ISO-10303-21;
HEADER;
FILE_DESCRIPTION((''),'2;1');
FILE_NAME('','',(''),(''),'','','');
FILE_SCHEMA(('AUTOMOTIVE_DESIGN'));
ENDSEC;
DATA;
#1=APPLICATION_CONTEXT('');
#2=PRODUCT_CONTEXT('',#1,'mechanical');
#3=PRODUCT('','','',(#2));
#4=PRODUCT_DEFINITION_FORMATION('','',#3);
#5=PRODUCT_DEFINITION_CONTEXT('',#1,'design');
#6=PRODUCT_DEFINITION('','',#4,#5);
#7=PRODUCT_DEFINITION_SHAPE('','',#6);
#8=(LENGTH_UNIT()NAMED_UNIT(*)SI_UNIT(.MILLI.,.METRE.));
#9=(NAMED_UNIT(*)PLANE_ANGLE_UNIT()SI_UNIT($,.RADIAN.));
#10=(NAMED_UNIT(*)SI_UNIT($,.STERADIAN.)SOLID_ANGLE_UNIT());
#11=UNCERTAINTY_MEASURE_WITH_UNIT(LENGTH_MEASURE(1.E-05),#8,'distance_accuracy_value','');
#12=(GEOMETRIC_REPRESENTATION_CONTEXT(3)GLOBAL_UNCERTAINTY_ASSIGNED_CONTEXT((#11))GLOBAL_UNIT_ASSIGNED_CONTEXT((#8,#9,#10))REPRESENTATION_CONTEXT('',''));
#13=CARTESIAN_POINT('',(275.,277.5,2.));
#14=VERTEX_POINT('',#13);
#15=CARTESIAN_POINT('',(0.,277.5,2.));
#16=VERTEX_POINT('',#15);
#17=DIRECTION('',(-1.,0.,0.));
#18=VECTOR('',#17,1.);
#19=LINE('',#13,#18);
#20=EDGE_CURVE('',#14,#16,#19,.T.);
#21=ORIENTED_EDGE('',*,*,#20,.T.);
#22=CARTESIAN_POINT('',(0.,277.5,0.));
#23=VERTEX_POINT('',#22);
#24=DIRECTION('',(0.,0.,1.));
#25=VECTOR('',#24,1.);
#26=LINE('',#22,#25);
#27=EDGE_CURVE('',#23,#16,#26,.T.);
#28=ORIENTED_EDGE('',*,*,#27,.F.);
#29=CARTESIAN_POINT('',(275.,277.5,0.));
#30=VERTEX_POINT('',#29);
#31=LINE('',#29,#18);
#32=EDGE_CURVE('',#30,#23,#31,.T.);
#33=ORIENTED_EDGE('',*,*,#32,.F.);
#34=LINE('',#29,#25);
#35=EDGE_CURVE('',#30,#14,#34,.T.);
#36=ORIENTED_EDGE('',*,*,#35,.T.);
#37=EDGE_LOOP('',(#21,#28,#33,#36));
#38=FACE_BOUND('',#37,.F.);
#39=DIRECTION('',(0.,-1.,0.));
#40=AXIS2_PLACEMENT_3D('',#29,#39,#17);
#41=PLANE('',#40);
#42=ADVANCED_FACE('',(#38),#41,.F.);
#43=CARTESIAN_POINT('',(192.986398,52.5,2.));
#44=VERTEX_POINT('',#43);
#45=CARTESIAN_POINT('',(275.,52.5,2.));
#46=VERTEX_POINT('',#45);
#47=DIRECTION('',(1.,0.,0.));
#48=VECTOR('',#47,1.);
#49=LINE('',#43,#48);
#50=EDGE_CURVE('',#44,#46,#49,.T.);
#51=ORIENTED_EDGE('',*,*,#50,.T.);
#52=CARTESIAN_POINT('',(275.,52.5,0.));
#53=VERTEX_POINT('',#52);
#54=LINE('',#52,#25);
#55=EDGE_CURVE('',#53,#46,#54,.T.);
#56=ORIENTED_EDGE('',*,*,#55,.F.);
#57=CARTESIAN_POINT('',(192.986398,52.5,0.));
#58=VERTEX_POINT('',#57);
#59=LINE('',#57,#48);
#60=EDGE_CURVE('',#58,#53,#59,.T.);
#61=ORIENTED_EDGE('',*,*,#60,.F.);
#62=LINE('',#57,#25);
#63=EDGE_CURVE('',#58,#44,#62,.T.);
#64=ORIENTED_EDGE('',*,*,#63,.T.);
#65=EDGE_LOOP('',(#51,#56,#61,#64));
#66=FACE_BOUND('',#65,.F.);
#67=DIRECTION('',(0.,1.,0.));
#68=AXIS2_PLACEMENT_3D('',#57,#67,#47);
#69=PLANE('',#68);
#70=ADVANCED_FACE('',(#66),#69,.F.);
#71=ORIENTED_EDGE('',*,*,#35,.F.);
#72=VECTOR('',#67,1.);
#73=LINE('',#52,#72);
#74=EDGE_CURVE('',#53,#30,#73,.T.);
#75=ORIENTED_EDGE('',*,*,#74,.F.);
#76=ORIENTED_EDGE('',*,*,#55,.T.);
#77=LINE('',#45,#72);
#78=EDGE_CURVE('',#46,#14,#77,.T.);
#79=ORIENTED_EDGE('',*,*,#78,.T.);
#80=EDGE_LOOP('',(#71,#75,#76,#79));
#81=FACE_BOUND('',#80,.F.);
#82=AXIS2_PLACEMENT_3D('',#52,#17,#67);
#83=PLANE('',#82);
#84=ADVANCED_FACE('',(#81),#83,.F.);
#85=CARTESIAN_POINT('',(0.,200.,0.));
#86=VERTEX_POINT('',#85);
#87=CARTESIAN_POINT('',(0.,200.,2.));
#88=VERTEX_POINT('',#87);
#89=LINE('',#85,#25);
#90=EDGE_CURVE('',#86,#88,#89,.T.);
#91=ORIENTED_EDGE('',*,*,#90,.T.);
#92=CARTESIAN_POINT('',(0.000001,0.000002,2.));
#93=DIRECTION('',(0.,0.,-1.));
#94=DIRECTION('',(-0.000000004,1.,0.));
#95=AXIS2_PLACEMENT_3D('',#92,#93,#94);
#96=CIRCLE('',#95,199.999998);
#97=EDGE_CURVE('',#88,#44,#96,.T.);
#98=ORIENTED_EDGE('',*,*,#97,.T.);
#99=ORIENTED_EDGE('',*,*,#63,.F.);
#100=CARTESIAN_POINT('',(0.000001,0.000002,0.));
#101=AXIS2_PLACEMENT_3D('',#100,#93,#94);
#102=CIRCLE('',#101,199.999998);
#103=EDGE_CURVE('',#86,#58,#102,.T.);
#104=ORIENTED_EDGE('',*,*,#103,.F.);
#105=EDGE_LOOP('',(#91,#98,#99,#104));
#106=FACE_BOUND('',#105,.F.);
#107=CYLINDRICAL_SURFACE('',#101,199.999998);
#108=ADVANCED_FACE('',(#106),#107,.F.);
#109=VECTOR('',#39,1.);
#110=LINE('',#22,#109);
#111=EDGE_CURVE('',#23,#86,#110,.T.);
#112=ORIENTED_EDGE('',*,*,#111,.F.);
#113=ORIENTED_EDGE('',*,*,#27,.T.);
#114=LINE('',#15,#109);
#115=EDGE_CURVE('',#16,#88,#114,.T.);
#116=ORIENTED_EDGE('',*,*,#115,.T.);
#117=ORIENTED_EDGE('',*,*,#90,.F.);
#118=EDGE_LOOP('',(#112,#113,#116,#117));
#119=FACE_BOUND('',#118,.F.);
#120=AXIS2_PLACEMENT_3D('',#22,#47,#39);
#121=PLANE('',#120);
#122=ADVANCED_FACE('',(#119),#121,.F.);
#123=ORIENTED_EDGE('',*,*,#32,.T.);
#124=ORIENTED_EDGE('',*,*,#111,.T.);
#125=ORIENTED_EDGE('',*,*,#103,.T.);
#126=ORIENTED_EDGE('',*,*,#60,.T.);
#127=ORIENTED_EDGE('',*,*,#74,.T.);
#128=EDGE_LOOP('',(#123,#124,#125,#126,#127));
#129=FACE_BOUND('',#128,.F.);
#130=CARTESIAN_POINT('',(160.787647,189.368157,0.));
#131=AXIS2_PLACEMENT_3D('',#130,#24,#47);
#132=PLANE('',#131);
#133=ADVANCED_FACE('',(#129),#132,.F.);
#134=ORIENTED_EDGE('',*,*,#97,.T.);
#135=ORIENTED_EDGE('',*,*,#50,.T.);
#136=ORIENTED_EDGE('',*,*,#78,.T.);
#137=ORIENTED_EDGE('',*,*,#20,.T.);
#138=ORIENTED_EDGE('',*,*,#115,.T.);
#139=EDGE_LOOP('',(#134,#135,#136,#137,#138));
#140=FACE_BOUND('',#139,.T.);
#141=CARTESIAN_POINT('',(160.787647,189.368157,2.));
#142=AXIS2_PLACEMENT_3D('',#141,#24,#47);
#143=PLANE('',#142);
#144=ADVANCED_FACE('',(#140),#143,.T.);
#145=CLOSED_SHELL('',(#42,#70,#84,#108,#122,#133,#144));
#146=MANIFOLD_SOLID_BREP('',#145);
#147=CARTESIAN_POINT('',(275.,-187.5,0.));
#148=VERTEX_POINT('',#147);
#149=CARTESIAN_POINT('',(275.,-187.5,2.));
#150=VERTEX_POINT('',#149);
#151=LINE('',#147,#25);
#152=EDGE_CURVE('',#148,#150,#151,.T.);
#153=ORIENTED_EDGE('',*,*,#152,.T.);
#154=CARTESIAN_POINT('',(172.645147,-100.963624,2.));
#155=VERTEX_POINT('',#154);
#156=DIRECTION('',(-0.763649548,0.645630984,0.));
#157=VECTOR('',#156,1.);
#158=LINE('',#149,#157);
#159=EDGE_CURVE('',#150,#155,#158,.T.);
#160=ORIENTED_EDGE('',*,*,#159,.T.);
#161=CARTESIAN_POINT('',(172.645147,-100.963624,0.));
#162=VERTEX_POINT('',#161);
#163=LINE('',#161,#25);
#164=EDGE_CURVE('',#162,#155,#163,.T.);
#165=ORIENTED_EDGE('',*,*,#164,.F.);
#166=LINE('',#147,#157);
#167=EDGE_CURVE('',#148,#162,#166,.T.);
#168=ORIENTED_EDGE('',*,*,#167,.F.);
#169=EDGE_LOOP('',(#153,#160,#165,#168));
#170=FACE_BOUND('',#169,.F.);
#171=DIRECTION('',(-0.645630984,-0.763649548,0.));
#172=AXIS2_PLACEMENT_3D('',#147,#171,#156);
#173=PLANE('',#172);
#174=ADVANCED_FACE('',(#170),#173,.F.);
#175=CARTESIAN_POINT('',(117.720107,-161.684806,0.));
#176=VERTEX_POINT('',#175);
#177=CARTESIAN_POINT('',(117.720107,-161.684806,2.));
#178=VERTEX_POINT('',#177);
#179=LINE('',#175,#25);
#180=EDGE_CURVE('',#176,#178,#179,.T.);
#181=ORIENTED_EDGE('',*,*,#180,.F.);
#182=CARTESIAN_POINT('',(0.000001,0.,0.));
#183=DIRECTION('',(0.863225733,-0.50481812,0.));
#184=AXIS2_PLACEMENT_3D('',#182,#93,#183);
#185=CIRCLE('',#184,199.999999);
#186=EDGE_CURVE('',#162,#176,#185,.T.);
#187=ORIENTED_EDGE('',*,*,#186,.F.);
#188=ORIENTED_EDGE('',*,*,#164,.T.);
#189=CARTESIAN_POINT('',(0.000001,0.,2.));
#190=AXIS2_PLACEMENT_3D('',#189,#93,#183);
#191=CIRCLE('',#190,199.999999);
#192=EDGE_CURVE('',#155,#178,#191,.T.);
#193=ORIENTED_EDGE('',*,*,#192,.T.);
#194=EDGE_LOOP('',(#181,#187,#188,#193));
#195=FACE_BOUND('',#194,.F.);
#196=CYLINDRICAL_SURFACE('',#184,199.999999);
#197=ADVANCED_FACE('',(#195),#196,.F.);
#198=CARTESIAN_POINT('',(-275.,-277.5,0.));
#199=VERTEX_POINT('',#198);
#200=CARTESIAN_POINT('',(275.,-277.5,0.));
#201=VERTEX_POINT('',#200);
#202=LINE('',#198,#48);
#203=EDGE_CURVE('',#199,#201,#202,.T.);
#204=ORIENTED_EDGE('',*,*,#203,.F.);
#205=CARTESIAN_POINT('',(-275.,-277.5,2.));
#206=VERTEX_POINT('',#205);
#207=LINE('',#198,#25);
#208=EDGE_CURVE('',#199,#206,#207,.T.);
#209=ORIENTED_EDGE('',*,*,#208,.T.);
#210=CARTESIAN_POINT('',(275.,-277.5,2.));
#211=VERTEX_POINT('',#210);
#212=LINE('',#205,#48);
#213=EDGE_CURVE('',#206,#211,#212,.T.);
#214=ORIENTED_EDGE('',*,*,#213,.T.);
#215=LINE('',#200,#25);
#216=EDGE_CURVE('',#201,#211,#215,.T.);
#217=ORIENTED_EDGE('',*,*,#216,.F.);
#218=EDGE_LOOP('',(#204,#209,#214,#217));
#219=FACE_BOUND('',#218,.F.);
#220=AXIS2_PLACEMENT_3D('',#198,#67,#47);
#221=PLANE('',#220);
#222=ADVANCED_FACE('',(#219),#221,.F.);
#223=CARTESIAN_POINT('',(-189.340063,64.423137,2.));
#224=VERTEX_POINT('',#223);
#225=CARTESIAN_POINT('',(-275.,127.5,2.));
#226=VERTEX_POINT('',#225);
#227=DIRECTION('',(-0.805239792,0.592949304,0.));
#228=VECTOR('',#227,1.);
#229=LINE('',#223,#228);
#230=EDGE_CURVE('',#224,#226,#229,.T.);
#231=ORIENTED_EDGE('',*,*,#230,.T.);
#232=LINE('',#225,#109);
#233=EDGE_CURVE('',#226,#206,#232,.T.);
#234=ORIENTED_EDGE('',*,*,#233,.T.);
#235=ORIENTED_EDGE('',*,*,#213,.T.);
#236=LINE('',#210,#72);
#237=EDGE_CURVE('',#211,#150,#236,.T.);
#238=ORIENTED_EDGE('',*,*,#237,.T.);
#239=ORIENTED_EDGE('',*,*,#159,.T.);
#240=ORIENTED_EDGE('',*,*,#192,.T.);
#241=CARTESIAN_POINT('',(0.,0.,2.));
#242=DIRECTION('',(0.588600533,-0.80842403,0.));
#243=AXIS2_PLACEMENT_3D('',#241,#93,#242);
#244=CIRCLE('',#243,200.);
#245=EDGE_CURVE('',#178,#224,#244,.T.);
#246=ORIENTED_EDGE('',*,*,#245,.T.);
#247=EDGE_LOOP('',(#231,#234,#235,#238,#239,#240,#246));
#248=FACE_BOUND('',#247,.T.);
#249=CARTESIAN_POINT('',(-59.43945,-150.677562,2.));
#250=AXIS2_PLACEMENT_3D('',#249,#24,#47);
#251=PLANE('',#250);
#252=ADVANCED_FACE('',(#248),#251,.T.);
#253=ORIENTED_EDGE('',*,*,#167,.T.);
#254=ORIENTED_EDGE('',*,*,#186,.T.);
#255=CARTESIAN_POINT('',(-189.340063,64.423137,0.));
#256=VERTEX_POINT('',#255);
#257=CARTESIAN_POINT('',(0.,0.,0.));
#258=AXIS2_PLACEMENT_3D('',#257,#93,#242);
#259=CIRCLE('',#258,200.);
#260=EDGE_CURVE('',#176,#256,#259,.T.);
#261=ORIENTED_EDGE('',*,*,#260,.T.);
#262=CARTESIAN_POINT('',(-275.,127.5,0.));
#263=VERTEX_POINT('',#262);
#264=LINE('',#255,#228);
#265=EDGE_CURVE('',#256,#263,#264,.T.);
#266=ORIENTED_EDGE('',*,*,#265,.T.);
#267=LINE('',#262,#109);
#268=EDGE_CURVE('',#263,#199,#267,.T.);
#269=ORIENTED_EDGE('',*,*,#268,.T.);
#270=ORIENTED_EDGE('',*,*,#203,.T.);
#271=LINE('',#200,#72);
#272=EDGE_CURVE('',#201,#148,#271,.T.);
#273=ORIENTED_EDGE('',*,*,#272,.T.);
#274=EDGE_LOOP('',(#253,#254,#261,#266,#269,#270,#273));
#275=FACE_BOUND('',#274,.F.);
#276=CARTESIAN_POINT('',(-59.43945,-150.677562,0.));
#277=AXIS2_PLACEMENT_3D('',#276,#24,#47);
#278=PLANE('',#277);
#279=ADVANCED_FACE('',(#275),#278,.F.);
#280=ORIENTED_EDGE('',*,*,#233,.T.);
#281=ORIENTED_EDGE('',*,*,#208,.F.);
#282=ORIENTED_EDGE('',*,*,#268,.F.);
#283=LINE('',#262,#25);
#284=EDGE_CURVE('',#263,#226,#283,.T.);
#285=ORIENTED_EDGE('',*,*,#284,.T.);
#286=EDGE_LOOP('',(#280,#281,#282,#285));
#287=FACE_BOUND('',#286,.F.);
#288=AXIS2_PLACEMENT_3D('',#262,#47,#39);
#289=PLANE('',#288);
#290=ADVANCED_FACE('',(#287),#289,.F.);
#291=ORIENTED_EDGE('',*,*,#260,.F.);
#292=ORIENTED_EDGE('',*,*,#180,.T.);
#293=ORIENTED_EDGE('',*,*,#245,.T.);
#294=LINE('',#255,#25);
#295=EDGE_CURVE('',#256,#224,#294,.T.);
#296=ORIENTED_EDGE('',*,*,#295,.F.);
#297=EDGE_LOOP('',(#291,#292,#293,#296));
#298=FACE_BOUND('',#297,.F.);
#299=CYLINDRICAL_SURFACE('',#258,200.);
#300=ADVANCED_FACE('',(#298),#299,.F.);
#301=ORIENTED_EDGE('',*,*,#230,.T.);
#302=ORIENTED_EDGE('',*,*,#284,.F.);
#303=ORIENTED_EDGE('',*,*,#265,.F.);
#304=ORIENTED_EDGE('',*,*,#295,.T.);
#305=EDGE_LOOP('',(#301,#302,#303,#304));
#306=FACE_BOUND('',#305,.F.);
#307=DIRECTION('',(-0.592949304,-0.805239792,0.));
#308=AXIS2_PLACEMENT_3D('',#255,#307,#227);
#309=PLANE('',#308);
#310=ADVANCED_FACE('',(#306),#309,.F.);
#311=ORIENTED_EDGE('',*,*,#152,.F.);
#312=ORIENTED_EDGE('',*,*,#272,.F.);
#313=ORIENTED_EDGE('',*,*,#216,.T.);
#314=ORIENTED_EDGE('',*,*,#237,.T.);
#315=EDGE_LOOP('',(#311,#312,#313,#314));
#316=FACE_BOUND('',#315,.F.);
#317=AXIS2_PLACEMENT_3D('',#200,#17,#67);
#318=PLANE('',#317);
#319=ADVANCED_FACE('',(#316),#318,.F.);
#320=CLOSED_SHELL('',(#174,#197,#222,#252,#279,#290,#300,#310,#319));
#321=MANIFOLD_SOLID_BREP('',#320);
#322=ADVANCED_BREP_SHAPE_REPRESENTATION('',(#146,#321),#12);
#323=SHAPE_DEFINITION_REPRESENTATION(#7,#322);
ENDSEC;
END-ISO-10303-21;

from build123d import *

# Parameters (mm, degrees)
F1_DEPTH = 2


with BuildPart() as f1:
    # F0 (on Top) → F1 (new body)
    with BuildSketch(Plane.XY):
        with BuildLine():
            Line((-275, 127.5), (-275, -277.5))
            Line((-275, -277.5), (275, -277.5))
            Line((275, -277.5), (275, -187.5))
            Line((275, -187.5), (172.645147, -100.963624))
            ThreePointArc((172.645147, -100.963624), (148.323163, -134.164971), (117.720107, -161.684806))
            ThreePointArc((117.720107, -161.684806), (-118.58986, -161.047959), (-189.340063, 64.423137))
            Line((-189.340063, 64.423137), (-275, 127.5))
        make_face()
        with BuildLine():
            Line((192.986398, 52.5), (275, 52.5))
            Line((275, 52.5), (275, 277.5))
            Line((275, 277.5), (0, 277.5))
            Line((0, 277.5), (0, 200))
            ThreePointArc((0, 200), (121.449578, 158.902486), (192.986398, 52.5))
        make_face()
    extrude(amount=F1_DEPTH)


solid = f1.part
